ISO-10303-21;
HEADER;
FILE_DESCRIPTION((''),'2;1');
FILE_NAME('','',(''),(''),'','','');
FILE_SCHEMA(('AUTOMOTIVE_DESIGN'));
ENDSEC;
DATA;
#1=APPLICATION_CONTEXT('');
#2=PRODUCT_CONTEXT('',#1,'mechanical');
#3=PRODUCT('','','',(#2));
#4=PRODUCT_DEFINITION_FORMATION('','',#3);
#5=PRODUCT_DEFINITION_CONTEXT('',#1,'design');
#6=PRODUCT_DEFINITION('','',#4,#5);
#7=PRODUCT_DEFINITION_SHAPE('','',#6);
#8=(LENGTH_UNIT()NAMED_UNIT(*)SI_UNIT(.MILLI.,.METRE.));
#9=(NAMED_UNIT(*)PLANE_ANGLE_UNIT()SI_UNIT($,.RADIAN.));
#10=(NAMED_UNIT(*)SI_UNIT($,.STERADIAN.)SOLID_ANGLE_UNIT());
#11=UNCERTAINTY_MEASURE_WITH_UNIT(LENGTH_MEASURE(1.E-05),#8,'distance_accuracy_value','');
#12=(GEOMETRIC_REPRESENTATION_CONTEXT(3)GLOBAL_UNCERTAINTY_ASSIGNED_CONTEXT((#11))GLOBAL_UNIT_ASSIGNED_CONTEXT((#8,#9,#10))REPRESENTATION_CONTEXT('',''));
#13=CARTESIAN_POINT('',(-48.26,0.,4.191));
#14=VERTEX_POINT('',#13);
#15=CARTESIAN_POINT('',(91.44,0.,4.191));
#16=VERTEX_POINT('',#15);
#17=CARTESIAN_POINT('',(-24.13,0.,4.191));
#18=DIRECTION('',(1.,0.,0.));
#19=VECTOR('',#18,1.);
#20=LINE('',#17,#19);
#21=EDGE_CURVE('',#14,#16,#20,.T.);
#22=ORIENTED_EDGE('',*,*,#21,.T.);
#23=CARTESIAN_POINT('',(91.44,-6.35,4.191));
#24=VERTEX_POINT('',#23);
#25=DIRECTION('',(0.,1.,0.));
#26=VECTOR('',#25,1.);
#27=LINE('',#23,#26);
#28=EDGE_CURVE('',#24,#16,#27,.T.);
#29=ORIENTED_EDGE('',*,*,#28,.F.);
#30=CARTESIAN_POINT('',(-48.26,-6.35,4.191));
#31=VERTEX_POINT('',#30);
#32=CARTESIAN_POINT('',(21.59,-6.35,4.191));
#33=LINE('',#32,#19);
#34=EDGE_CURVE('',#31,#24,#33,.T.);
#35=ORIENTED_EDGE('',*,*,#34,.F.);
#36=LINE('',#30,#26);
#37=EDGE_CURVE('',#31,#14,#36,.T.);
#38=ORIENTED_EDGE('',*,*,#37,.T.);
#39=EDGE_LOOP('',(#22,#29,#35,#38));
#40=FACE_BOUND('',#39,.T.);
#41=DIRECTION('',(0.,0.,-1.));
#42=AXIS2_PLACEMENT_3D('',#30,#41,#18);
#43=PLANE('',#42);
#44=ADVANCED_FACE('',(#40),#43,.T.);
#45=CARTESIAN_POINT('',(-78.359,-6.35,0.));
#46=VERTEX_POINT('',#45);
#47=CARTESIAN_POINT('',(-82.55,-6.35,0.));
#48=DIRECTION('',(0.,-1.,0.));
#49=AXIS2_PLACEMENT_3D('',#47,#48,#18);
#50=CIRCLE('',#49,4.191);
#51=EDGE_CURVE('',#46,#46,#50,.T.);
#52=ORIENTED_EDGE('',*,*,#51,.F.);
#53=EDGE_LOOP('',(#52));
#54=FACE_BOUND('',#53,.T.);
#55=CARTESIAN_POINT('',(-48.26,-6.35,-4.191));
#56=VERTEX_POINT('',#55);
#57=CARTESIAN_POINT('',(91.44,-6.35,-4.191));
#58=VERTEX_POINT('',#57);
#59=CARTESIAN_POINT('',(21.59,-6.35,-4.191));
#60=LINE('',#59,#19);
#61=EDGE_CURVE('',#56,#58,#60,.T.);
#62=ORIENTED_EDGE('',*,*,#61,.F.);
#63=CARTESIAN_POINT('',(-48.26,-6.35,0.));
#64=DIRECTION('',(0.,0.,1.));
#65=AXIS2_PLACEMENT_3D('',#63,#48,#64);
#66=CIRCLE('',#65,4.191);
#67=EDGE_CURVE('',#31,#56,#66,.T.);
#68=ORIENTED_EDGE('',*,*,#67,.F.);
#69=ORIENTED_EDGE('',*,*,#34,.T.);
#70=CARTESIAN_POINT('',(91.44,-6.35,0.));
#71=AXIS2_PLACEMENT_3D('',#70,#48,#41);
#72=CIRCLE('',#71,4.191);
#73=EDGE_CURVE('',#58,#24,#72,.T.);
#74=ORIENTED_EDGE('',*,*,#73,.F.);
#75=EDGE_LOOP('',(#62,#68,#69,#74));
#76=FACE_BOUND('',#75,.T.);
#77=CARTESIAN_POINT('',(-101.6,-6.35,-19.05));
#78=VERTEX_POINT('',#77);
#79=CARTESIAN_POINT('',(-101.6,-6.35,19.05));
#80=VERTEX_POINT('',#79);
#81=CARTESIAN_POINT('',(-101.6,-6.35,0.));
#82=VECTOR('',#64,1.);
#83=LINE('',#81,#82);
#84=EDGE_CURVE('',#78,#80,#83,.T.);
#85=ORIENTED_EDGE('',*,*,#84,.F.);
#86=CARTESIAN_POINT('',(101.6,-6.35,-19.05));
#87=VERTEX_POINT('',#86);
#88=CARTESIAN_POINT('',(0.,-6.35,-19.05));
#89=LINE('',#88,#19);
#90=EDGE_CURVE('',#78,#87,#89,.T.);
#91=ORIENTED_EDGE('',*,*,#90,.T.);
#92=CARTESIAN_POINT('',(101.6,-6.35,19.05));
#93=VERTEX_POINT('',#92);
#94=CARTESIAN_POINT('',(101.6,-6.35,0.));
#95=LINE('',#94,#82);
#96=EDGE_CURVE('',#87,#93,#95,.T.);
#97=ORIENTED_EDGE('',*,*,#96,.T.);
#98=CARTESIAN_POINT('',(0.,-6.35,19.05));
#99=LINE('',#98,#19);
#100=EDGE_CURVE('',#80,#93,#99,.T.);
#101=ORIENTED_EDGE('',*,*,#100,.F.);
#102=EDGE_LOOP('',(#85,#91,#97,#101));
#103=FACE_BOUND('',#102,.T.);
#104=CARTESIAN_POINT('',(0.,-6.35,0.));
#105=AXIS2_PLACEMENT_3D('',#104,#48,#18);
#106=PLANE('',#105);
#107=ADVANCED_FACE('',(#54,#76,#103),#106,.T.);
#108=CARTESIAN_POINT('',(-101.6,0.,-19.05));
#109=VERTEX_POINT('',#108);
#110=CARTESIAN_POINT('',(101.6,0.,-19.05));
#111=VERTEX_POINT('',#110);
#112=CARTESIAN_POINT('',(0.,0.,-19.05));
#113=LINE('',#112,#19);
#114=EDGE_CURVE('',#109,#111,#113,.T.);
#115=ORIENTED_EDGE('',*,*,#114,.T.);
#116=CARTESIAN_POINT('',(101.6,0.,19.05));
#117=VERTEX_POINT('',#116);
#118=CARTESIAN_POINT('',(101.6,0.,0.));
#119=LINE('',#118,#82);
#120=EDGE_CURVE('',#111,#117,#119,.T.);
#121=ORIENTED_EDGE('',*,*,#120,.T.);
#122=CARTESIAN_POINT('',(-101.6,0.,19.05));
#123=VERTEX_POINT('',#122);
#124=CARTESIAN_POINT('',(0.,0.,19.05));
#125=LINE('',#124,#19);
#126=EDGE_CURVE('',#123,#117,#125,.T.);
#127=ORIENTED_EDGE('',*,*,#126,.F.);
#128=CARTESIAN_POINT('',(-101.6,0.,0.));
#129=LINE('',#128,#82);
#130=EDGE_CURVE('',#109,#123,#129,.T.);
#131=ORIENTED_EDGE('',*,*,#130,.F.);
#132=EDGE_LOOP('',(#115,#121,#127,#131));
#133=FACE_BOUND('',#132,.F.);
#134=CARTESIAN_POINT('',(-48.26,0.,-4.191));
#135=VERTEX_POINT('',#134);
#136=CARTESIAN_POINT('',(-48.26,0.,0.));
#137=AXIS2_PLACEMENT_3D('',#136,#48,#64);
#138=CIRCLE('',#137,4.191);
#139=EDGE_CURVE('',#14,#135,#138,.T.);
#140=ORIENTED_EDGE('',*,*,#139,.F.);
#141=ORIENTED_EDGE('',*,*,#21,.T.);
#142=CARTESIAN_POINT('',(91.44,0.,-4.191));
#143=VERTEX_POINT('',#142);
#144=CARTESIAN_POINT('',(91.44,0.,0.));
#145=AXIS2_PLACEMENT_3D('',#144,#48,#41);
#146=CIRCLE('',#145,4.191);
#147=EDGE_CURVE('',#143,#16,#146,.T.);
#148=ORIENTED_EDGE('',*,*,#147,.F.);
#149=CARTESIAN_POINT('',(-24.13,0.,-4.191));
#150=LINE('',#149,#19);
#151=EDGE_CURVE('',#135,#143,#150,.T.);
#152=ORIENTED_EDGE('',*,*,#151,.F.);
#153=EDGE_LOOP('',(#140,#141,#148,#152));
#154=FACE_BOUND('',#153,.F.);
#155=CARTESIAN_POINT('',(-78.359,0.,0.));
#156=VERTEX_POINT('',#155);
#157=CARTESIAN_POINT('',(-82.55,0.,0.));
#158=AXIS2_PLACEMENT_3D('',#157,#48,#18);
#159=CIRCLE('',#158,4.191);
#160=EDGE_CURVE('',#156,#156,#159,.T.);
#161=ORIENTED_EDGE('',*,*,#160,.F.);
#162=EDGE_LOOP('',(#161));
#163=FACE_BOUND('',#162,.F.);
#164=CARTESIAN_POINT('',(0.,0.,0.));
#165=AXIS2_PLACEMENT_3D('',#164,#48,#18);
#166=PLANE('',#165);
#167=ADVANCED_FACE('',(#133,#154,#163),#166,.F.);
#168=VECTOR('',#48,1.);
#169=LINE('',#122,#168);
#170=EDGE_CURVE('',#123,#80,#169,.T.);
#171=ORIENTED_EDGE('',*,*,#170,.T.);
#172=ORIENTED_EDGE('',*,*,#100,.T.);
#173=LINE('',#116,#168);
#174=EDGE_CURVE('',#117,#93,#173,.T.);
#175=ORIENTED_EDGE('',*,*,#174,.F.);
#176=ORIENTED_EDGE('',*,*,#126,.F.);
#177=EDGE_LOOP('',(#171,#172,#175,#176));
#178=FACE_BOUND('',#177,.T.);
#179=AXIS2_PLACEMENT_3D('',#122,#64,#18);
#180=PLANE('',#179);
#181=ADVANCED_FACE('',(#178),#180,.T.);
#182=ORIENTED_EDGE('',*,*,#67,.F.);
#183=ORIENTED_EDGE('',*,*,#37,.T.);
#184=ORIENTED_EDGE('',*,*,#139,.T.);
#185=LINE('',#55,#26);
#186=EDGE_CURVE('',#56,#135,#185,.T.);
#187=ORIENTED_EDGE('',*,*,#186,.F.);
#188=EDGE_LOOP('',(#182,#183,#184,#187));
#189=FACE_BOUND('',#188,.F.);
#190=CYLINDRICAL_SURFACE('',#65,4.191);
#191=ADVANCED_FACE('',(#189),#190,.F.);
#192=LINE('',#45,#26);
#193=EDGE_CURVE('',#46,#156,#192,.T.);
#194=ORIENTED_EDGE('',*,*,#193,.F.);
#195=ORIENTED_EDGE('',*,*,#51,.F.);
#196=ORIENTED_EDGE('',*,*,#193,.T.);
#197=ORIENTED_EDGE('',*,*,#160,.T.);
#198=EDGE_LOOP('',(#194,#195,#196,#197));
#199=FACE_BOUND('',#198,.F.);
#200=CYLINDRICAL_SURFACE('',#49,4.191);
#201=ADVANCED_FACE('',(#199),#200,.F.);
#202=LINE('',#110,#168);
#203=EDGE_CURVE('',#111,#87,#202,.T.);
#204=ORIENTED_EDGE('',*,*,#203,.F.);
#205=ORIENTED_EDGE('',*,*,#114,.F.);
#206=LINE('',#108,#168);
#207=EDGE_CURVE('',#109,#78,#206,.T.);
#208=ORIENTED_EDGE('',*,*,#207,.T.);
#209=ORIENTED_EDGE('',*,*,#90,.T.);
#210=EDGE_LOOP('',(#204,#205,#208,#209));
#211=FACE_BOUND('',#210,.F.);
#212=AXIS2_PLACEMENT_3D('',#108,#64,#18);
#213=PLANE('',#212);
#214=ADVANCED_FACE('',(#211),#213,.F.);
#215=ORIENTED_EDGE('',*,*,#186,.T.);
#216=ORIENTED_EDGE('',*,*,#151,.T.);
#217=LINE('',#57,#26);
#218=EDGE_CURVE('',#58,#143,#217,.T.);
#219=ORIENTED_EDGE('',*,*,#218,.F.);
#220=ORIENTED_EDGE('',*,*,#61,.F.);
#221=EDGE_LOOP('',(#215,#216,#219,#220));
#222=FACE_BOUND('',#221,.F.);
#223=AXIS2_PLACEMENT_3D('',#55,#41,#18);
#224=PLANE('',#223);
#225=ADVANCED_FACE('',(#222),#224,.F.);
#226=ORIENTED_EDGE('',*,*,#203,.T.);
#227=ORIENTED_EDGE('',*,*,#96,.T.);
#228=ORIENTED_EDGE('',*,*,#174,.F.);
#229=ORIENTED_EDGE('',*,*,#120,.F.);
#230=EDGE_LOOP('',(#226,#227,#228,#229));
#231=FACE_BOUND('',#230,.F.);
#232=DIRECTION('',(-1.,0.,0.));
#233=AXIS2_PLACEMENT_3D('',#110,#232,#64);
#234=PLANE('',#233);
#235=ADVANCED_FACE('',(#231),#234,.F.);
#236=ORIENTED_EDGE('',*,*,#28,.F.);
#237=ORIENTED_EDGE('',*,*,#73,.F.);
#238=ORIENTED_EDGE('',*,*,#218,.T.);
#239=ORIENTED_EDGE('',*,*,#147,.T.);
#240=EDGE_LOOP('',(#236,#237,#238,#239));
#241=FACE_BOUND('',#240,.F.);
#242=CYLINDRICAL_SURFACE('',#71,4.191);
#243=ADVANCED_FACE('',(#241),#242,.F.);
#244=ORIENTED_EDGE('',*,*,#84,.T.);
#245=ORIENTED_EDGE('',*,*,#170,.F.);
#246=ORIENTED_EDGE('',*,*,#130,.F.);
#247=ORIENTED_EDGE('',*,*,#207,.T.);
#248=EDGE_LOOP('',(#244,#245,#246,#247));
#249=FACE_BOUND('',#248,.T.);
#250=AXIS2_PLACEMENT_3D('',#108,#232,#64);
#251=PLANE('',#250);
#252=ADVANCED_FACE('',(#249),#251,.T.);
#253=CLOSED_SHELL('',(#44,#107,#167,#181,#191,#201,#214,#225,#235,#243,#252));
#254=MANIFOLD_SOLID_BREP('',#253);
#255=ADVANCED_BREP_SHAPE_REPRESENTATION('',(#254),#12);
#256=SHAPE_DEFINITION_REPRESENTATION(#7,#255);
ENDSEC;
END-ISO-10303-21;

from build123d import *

# Parameters (mm, degrees)
F0_W     = 203.2
F0_H     = 38.1
F1_DEPTH = 6.35
F2_R     = 4.191
F3_DEPTH = 6.35
F4_W     = 139.7
F4_H     = 8.382
F5_DEPTH = 25.4


with BuildPart() as f1:
    # F0 (on Front) → F1 (new body)
    with BuildSketch(Plane.XZ):
        Rectangle(F0_W, F0_H)
    extrude(amount=F1_DEPTH)

    # F2 (on face) → F3 (cut, through all)
    with BuildSketch(Plane.XZ.offset(6.35)):
        with Locations((-82.55, 0)):
            Circle(F2_R)
    extrude(amount=-F3_DEPTH, mode=Mode.SUBTRACT)

    # F4 (on face) → F5 (cut)
    with BuildSketch(Plane.XZ.offset(6.35)):
        with Locations((21.59, 0)):
            Rectangle(F4_W, F4_H)
        with BuildLine():
            Line((91.44, 4.191), (91.44, -4.191))
            ThreePointArc((91.44, -4.191), (95.631, 0), (91.44, 4.191))
        make_face()
        with BuildLine():
            ThreePointArc((-48.26, 4.191), (-52.451, 0), (-48.26, -4.191))
            Line((-48.26, -4.191), (-48.26, 4.191))
        make_face()
    extrude(amount=-F5_DEPTH, mode=Mode.SUBTRACT)


solid = f1.part
